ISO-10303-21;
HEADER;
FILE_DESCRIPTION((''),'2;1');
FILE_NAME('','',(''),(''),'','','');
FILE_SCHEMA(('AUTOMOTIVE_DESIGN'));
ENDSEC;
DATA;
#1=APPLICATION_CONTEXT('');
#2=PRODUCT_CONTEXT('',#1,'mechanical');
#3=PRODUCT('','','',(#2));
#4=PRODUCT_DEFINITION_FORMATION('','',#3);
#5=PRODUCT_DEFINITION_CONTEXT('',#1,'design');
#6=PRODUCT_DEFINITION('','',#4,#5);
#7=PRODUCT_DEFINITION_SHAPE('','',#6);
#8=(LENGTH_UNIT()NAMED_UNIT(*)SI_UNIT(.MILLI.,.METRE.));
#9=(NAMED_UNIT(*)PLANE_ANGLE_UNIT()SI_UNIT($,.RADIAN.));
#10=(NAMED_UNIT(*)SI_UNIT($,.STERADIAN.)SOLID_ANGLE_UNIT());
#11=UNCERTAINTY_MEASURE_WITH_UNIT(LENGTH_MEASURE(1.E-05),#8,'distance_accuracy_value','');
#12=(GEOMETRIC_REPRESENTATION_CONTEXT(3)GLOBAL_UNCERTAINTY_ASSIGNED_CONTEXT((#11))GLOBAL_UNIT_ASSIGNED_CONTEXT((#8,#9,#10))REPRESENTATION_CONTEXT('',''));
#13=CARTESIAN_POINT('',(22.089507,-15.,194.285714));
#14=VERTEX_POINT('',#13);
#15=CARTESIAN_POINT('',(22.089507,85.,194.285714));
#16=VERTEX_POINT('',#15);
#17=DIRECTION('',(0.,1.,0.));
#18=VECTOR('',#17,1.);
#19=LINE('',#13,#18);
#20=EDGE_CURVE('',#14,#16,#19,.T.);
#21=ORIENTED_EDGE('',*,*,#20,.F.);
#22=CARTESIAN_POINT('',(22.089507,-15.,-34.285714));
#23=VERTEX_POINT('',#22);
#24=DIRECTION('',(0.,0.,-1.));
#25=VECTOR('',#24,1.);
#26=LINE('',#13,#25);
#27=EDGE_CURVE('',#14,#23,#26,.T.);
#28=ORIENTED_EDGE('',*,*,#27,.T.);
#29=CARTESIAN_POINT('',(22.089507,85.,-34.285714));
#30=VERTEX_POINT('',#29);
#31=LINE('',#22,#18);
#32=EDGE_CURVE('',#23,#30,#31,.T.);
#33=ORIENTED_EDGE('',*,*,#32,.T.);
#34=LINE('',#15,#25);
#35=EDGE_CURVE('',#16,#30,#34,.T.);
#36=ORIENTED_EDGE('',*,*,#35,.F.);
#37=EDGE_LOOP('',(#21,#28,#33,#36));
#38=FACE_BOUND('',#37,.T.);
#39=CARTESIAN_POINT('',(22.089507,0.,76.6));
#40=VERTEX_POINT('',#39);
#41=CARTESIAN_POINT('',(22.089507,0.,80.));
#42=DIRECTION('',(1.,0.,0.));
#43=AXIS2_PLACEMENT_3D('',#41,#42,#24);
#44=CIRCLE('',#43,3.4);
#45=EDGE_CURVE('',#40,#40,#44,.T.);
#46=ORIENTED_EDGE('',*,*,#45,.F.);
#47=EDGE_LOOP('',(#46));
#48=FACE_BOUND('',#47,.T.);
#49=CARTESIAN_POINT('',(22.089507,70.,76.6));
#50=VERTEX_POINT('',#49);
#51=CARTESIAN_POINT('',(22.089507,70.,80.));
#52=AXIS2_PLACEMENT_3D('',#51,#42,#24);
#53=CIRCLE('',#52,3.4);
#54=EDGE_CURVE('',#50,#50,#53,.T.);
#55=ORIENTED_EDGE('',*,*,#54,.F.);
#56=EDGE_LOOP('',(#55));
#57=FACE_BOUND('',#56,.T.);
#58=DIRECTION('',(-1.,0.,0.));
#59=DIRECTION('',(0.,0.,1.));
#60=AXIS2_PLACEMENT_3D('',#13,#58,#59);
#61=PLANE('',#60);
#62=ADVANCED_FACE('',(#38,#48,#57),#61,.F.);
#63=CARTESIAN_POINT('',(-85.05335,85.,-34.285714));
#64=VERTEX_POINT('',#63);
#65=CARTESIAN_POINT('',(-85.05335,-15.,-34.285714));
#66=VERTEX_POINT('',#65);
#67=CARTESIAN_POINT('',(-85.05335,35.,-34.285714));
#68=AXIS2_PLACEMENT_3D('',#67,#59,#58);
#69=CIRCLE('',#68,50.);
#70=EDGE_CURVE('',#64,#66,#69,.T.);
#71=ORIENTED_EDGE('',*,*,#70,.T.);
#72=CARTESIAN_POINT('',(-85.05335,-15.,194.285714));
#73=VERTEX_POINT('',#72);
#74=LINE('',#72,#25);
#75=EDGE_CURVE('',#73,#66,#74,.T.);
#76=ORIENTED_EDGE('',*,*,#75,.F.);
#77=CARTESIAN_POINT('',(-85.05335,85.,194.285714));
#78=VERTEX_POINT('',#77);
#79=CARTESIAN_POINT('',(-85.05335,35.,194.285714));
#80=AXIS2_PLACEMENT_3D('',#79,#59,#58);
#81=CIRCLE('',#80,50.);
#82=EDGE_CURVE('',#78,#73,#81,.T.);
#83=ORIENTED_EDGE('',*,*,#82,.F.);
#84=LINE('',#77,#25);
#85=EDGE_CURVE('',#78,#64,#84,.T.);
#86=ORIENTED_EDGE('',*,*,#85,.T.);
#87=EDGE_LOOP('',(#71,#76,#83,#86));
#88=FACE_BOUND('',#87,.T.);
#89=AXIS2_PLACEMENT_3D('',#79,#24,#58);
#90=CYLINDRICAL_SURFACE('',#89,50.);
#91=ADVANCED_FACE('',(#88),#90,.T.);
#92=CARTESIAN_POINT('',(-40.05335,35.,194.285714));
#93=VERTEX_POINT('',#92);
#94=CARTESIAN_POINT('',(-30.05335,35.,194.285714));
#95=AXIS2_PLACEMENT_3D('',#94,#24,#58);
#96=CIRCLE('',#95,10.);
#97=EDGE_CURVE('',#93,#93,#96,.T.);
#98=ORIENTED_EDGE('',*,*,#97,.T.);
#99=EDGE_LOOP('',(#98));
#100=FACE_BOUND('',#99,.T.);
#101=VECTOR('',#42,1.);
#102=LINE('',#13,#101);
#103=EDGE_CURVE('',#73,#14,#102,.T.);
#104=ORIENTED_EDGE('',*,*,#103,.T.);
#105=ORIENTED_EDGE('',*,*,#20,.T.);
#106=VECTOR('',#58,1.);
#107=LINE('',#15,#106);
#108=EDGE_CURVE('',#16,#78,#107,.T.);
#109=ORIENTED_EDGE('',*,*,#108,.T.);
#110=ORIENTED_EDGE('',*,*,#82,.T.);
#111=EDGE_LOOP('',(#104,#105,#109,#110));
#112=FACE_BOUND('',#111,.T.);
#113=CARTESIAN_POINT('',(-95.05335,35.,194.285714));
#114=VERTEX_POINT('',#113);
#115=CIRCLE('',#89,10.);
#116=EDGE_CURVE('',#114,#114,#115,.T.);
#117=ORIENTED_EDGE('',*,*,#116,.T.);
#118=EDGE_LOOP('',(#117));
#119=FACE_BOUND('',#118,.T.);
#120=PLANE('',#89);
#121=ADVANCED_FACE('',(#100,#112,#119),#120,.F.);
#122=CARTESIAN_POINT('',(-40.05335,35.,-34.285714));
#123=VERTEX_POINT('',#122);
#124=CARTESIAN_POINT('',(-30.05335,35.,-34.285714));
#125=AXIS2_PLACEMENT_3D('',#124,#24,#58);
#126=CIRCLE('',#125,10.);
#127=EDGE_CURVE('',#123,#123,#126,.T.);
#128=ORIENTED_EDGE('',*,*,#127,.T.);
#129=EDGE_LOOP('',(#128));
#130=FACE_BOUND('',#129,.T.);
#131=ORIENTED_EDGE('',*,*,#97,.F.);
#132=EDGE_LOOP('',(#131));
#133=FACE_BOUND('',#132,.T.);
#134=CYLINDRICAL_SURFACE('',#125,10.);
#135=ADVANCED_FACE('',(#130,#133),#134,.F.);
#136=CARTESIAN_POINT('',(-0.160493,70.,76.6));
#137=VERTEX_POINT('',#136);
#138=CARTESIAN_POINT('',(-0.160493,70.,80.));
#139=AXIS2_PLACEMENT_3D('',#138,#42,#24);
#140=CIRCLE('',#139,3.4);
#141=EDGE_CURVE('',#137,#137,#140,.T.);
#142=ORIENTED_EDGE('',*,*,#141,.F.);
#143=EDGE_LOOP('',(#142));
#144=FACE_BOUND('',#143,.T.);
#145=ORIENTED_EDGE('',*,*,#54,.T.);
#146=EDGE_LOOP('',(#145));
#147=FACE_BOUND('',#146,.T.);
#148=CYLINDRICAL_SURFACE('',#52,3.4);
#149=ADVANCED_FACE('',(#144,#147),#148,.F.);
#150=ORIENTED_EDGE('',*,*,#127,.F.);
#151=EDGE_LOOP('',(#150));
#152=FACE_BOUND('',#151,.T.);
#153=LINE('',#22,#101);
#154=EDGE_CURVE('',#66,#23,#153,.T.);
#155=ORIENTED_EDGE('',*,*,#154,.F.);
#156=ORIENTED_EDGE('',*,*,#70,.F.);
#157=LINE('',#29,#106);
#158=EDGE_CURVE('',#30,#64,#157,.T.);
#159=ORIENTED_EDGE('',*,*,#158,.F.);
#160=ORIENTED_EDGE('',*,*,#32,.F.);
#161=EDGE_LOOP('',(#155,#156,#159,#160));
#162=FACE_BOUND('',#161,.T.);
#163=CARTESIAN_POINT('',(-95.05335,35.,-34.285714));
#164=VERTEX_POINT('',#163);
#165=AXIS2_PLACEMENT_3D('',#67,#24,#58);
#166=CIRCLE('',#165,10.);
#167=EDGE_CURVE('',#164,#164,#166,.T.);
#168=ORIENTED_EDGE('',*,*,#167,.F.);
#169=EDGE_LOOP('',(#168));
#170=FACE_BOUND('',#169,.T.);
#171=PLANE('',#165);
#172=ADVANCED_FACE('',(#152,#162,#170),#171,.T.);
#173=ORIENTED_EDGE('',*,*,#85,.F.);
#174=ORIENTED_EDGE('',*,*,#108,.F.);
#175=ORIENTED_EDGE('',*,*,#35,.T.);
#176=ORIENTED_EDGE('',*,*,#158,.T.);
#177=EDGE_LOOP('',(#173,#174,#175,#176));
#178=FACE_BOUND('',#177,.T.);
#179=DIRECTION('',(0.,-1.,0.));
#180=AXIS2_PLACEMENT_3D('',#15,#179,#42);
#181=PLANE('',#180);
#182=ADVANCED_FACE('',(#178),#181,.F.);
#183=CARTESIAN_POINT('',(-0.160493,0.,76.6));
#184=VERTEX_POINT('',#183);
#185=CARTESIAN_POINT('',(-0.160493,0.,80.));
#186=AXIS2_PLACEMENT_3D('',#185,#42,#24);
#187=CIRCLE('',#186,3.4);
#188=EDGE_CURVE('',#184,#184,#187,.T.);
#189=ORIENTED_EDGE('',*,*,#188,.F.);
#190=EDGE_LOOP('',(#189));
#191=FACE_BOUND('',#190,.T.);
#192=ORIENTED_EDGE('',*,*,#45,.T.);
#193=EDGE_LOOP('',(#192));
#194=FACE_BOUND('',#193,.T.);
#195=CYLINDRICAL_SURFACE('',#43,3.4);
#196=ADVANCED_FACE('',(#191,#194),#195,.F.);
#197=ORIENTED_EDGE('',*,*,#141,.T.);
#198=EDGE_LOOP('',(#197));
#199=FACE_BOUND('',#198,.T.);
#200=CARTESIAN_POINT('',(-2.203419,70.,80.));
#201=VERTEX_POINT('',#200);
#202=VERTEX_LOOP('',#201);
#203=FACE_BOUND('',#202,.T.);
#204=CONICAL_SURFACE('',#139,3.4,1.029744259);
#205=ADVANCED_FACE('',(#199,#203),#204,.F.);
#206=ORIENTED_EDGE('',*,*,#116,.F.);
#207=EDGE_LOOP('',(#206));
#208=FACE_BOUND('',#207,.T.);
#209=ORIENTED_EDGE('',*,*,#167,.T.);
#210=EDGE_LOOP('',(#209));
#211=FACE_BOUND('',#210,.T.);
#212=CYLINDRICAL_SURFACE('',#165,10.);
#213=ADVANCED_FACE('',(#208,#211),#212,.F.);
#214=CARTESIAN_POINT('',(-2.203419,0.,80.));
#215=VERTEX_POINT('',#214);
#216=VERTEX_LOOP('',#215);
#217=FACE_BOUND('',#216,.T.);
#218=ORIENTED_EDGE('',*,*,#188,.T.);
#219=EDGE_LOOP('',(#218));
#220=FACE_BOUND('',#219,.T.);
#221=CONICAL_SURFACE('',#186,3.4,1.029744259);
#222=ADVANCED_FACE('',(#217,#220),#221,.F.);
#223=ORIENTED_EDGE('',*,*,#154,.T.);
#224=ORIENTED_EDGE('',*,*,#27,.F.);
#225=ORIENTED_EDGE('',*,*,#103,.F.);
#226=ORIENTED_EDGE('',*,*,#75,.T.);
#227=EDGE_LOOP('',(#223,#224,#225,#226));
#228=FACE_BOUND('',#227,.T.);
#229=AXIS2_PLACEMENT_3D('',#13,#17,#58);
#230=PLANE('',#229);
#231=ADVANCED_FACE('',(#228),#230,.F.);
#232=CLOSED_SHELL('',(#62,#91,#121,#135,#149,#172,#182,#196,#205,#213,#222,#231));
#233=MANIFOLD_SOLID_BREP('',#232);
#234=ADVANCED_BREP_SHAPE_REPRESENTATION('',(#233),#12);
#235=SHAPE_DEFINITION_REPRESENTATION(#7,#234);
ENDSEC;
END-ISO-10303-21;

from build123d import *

# Parameters (mm, degrees)
BOSS_EXTRUDE1_DEPTH    = 160
SCALE1_SCALE           = 1.428571429
F_20_0MM_DOWEL_HOLE1_D = 20
M8_TAPPED_HOLE1_D      = 6.8
M8_TAPPED_HOLE1_DEPTH  = 22.25
M8_TAPPED_HOLE1_TIP    = 2.042926105


with BuildPart() as part:
    # Sketch1 → Boss-Extrude1 (new body)
    with BuildSketch(Plane.XY):
        with BuildLine():
            Line((0, 0), (-75, 0))
            ThreePointArc((-75, 0), (-110, 35), (-75, 70))
            Line((-75, 70), (0, 70))
            Line((0, 70), (0, 0))
        make_face()
    extrude(amount=BOSS_EXTRUDE1_DEPTH)


with BuildPart() as part_1:
    # Scale1: scaled about (-51.542183312, 35, 80)
    add(part.part.scale(SCALE1_SCALE).moved(Location((22.089507134, -15, -34.285714286))))

    # Ø20.0mm Dowel Hole1 (through all)
    with Locations(Plane(origin=(-30.053350009, 35, -34.285714286), x_dir=(-1, 0, 0), z_dir=(0, 0, -1))):
        with Locations((0, 0), (55, 0)):
            Hole(F_20_0MM_DOWEL_HOLE1_D / 2)

    # M8 Tapped Hole1
    with Locations(Plane(origin=(22.089507134, 0, 0), x_dir=(0, 0, -1), z_dir=(1, 0, 0))):
        with Locations((-80, 70), (-80, 0)):
            Hole(M8_TAPPED_HOLE1_D / 2, depth=M8_TAPPED_HOLE1_DEPTH)
            with Locations((0, 0, -(M8_TAPPED_HOLE1_DEPTH + M8_TAPPED_HOLE1_TIP / 2))):  # 118° drill point
                Cone(0, M8_TAPPED_HOLE1_D / 2, M8_TAPPED_HOLE1_TIP, mode=Mode.SUBTRACT)


solid = part_1.part
